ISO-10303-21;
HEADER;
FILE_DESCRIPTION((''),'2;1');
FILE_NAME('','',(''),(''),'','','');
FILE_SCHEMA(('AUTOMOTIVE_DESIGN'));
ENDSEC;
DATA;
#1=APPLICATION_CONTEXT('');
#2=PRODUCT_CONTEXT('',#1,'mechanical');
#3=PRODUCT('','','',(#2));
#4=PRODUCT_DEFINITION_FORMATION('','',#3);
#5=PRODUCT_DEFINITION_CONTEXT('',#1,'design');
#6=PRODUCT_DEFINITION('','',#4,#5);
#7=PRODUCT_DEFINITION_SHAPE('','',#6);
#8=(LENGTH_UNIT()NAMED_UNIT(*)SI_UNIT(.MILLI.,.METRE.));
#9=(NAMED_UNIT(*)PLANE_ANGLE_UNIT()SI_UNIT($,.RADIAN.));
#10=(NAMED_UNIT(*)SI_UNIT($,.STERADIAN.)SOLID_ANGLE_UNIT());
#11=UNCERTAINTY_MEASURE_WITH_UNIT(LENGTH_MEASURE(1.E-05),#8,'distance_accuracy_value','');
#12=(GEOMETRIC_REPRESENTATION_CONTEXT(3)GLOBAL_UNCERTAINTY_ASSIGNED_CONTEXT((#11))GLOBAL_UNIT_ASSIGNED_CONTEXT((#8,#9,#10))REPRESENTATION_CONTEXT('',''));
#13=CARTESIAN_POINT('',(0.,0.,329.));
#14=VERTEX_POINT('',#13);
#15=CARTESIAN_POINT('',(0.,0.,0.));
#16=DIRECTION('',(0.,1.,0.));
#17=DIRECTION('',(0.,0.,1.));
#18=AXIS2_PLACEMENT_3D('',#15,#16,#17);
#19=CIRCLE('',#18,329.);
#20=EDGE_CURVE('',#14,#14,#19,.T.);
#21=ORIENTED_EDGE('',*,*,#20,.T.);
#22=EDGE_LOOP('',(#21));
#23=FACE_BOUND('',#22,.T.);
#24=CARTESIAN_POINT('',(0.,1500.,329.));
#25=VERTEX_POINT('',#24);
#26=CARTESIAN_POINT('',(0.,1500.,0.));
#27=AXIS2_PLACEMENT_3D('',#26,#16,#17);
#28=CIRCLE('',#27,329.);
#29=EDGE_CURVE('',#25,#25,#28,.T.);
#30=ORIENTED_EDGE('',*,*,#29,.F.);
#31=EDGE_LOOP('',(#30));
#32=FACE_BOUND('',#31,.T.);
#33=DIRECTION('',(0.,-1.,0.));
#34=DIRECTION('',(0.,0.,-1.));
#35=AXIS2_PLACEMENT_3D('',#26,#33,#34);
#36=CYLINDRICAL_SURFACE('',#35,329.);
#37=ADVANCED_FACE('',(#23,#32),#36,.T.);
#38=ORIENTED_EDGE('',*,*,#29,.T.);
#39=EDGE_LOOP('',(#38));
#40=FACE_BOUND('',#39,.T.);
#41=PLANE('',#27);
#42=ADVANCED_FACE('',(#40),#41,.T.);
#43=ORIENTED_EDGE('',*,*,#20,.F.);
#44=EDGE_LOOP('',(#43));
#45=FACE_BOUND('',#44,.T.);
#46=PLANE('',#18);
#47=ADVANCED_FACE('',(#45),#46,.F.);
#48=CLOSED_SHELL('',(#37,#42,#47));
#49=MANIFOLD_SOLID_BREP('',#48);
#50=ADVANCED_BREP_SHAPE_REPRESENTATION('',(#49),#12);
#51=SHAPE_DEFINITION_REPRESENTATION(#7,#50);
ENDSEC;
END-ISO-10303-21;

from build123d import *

# Parameters (mm, degrees)
SKETCH1_R           = 329
BOSS_EXTRUDE1_DEPTH = 1500


with BuildPart() as part:
    # Sketch1 → Boss-Extrude1 (new body)
    with BuildSketch(Plane(origin=(0, 0, 0), x_dir=(1, 0, 0), z_dir=(0, 1, 0))):
        with Locations(Location((0, 0, 0), (0, 0, 270))):
            Circle(SKETCH1_R)
    extrude(amount=BOSS_EXTRUDE1_DEPTH)


solid = part.part
